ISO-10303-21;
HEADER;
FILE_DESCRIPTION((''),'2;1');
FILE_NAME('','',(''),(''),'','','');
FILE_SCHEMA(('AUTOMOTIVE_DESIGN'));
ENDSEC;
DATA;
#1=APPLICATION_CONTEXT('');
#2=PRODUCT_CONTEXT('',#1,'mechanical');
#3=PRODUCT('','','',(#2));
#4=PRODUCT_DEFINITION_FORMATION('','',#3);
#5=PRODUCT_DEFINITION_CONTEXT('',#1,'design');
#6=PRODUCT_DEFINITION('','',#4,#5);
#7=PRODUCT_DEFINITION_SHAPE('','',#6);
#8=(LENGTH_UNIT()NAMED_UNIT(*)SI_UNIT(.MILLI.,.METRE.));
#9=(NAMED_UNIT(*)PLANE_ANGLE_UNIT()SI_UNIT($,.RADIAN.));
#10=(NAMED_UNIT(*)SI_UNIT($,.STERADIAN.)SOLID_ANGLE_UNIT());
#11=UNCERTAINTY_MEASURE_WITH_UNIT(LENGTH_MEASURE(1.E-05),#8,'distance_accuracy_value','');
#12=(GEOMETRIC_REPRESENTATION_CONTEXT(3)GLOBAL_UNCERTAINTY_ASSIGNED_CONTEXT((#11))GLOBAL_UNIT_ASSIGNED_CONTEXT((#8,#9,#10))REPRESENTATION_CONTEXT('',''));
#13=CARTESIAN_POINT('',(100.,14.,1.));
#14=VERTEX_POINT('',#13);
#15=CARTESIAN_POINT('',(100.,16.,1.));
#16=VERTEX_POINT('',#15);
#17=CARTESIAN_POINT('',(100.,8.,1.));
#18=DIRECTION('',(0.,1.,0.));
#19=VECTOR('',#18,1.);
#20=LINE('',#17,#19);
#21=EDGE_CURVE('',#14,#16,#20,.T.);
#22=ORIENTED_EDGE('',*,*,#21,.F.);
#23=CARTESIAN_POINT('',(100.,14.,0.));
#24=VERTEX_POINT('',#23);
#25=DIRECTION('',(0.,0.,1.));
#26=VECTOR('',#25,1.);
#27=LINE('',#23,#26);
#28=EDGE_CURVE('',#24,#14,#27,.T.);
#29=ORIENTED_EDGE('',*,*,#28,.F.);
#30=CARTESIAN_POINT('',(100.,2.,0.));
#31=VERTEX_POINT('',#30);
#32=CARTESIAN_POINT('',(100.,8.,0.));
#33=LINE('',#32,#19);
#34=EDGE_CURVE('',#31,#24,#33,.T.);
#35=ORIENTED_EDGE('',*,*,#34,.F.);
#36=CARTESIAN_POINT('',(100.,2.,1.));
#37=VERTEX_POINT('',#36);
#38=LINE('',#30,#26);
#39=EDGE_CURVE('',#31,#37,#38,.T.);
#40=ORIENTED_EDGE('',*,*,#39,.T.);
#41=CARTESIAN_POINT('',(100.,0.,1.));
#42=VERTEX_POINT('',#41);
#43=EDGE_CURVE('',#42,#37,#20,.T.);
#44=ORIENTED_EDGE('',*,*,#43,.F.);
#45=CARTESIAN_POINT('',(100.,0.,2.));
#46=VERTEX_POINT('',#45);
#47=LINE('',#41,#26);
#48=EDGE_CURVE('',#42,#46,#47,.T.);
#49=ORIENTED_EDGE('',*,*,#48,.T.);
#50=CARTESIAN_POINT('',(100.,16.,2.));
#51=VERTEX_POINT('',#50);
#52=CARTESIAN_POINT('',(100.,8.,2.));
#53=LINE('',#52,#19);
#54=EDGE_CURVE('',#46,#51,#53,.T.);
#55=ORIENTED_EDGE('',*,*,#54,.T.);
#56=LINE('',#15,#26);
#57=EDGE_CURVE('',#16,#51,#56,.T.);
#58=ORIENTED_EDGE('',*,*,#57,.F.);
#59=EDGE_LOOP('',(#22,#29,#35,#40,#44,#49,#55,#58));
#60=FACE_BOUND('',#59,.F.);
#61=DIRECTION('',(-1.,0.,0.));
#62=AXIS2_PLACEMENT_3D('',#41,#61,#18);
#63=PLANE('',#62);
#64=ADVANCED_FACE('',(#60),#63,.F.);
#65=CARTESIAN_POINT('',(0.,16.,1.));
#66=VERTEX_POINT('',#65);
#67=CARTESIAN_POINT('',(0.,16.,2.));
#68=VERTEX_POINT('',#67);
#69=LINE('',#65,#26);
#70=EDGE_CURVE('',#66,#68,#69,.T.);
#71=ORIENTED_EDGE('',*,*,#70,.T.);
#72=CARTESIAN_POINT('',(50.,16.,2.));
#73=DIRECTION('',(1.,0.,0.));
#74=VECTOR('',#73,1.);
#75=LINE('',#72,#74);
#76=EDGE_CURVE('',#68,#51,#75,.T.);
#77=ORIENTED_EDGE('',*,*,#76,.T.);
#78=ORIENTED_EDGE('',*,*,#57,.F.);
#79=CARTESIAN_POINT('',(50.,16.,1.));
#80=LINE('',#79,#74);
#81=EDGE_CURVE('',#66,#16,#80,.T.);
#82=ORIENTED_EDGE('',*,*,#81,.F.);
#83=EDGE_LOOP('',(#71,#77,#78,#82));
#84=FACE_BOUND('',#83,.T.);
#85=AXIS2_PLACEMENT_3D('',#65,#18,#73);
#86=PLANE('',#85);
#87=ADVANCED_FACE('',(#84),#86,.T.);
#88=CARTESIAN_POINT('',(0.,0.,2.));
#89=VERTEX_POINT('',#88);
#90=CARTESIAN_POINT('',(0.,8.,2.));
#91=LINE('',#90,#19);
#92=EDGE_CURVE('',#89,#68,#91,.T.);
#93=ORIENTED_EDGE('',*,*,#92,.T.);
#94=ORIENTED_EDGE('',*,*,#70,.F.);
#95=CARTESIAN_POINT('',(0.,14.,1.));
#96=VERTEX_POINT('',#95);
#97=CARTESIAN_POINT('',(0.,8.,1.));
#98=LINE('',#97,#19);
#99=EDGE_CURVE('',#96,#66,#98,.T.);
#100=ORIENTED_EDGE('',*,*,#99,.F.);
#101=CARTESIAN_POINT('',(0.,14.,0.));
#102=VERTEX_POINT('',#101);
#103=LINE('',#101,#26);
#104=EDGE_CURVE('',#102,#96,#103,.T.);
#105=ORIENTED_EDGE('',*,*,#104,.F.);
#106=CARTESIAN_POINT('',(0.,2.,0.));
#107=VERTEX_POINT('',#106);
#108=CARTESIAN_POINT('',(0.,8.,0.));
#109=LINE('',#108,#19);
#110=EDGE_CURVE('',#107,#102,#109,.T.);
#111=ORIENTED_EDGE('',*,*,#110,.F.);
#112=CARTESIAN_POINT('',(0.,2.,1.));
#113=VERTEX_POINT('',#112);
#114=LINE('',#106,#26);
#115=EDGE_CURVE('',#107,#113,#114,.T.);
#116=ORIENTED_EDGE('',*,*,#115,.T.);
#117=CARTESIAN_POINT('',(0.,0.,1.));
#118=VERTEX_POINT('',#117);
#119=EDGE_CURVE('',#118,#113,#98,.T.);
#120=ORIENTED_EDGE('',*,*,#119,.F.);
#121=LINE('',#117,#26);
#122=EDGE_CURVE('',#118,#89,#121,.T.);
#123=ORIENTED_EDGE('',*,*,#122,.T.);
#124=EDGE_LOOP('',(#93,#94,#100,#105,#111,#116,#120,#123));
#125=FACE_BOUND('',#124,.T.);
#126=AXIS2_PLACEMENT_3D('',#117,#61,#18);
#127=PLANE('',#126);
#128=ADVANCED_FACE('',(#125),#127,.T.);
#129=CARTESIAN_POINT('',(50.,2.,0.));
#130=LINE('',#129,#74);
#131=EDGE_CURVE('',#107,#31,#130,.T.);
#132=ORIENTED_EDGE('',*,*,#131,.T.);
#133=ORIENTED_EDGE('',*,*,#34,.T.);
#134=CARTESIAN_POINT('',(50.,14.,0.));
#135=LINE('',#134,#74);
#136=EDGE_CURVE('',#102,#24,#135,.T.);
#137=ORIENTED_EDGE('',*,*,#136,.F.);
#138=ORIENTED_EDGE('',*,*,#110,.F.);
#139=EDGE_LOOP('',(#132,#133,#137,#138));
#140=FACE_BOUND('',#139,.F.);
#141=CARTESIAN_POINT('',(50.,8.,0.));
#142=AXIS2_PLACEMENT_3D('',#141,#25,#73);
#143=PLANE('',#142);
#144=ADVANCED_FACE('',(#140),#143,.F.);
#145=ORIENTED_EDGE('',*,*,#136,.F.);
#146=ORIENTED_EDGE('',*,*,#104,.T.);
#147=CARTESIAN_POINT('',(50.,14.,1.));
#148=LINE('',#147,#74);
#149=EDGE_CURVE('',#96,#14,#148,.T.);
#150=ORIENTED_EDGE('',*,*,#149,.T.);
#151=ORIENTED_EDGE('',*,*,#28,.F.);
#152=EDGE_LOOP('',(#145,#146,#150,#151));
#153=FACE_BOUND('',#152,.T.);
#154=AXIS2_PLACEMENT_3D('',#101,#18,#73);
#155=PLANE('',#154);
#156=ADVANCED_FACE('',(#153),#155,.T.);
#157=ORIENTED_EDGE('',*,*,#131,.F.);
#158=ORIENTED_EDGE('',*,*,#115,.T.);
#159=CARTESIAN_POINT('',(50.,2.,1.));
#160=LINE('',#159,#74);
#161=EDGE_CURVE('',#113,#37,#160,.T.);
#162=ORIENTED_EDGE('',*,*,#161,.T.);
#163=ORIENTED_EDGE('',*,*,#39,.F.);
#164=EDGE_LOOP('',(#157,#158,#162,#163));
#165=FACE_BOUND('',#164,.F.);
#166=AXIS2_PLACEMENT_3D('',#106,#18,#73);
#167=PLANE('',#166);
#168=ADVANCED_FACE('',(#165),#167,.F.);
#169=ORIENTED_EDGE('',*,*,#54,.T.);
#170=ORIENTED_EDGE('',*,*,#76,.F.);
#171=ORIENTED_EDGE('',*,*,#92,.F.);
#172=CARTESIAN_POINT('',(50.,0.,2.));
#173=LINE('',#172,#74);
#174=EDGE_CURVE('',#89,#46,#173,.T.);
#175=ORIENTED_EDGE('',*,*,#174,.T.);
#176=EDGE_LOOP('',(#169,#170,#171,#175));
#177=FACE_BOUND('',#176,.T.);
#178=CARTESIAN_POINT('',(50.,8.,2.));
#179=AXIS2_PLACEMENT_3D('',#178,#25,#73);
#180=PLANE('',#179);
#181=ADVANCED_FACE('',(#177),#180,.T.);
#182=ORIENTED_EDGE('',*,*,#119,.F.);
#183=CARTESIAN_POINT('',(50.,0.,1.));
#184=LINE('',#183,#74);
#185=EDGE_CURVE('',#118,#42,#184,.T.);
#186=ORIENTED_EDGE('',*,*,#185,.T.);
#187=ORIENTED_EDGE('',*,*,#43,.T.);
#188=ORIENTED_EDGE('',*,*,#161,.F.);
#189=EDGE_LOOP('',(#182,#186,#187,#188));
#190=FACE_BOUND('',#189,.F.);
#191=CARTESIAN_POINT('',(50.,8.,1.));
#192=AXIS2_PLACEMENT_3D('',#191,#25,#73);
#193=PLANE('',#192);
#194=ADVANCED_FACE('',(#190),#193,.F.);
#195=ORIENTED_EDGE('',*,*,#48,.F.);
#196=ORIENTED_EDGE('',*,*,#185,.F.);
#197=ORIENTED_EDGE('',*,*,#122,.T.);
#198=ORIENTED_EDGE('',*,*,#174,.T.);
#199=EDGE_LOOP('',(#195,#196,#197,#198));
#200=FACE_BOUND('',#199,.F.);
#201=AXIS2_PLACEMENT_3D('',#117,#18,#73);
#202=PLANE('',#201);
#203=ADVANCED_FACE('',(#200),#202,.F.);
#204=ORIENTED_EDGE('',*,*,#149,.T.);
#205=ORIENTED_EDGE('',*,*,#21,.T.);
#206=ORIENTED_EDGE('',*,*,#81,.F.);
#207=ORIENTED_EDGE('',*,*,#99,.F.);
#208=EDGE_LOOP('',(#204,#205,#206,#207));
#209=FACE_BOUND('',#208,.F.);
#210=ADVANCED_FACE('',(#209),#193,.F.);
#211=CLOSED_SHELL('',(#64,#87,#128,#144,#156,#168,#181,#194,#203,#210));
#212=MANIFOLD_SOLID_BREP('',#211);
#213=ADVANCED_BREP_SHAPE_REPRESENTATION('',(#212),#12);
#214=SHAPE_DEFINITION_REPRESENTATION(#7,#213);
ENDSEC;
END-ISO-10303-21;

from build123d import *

# Parameters (mm, degrees)
BOX_W        = 100
BOX_H        = 16
BOX_DEPTH    = 1
BOX001_W     = 100
BOX001_H     = 12
BOX001_DEPTH = 1


with BuildPart() as f_16mm:
    # Box → Box (new body)
    with BuildSketch(Plane.XY.offset(1)):
        with Locations((50, 8)):
            Rectangle(BOX_W, BOX_H)
    extrude(amount=BOX_DEPTH)


with BuildPart() as k8200_profile:
    # Box001 → Box001 (new body)
    with BuildSketch(Plane(origin=(0, 2, 0), x_dir=(1, 0, 0), z_dir=(0, 0, 1))):
        with Locations((50, 6)):
            Rectangle(BOX001_W, BOX001_H)
    extrude(amount=BOX001_DEPTH)

    # Fusion: union 16mm
    add(f_16mm.part)


solid = k8200_profile.part
